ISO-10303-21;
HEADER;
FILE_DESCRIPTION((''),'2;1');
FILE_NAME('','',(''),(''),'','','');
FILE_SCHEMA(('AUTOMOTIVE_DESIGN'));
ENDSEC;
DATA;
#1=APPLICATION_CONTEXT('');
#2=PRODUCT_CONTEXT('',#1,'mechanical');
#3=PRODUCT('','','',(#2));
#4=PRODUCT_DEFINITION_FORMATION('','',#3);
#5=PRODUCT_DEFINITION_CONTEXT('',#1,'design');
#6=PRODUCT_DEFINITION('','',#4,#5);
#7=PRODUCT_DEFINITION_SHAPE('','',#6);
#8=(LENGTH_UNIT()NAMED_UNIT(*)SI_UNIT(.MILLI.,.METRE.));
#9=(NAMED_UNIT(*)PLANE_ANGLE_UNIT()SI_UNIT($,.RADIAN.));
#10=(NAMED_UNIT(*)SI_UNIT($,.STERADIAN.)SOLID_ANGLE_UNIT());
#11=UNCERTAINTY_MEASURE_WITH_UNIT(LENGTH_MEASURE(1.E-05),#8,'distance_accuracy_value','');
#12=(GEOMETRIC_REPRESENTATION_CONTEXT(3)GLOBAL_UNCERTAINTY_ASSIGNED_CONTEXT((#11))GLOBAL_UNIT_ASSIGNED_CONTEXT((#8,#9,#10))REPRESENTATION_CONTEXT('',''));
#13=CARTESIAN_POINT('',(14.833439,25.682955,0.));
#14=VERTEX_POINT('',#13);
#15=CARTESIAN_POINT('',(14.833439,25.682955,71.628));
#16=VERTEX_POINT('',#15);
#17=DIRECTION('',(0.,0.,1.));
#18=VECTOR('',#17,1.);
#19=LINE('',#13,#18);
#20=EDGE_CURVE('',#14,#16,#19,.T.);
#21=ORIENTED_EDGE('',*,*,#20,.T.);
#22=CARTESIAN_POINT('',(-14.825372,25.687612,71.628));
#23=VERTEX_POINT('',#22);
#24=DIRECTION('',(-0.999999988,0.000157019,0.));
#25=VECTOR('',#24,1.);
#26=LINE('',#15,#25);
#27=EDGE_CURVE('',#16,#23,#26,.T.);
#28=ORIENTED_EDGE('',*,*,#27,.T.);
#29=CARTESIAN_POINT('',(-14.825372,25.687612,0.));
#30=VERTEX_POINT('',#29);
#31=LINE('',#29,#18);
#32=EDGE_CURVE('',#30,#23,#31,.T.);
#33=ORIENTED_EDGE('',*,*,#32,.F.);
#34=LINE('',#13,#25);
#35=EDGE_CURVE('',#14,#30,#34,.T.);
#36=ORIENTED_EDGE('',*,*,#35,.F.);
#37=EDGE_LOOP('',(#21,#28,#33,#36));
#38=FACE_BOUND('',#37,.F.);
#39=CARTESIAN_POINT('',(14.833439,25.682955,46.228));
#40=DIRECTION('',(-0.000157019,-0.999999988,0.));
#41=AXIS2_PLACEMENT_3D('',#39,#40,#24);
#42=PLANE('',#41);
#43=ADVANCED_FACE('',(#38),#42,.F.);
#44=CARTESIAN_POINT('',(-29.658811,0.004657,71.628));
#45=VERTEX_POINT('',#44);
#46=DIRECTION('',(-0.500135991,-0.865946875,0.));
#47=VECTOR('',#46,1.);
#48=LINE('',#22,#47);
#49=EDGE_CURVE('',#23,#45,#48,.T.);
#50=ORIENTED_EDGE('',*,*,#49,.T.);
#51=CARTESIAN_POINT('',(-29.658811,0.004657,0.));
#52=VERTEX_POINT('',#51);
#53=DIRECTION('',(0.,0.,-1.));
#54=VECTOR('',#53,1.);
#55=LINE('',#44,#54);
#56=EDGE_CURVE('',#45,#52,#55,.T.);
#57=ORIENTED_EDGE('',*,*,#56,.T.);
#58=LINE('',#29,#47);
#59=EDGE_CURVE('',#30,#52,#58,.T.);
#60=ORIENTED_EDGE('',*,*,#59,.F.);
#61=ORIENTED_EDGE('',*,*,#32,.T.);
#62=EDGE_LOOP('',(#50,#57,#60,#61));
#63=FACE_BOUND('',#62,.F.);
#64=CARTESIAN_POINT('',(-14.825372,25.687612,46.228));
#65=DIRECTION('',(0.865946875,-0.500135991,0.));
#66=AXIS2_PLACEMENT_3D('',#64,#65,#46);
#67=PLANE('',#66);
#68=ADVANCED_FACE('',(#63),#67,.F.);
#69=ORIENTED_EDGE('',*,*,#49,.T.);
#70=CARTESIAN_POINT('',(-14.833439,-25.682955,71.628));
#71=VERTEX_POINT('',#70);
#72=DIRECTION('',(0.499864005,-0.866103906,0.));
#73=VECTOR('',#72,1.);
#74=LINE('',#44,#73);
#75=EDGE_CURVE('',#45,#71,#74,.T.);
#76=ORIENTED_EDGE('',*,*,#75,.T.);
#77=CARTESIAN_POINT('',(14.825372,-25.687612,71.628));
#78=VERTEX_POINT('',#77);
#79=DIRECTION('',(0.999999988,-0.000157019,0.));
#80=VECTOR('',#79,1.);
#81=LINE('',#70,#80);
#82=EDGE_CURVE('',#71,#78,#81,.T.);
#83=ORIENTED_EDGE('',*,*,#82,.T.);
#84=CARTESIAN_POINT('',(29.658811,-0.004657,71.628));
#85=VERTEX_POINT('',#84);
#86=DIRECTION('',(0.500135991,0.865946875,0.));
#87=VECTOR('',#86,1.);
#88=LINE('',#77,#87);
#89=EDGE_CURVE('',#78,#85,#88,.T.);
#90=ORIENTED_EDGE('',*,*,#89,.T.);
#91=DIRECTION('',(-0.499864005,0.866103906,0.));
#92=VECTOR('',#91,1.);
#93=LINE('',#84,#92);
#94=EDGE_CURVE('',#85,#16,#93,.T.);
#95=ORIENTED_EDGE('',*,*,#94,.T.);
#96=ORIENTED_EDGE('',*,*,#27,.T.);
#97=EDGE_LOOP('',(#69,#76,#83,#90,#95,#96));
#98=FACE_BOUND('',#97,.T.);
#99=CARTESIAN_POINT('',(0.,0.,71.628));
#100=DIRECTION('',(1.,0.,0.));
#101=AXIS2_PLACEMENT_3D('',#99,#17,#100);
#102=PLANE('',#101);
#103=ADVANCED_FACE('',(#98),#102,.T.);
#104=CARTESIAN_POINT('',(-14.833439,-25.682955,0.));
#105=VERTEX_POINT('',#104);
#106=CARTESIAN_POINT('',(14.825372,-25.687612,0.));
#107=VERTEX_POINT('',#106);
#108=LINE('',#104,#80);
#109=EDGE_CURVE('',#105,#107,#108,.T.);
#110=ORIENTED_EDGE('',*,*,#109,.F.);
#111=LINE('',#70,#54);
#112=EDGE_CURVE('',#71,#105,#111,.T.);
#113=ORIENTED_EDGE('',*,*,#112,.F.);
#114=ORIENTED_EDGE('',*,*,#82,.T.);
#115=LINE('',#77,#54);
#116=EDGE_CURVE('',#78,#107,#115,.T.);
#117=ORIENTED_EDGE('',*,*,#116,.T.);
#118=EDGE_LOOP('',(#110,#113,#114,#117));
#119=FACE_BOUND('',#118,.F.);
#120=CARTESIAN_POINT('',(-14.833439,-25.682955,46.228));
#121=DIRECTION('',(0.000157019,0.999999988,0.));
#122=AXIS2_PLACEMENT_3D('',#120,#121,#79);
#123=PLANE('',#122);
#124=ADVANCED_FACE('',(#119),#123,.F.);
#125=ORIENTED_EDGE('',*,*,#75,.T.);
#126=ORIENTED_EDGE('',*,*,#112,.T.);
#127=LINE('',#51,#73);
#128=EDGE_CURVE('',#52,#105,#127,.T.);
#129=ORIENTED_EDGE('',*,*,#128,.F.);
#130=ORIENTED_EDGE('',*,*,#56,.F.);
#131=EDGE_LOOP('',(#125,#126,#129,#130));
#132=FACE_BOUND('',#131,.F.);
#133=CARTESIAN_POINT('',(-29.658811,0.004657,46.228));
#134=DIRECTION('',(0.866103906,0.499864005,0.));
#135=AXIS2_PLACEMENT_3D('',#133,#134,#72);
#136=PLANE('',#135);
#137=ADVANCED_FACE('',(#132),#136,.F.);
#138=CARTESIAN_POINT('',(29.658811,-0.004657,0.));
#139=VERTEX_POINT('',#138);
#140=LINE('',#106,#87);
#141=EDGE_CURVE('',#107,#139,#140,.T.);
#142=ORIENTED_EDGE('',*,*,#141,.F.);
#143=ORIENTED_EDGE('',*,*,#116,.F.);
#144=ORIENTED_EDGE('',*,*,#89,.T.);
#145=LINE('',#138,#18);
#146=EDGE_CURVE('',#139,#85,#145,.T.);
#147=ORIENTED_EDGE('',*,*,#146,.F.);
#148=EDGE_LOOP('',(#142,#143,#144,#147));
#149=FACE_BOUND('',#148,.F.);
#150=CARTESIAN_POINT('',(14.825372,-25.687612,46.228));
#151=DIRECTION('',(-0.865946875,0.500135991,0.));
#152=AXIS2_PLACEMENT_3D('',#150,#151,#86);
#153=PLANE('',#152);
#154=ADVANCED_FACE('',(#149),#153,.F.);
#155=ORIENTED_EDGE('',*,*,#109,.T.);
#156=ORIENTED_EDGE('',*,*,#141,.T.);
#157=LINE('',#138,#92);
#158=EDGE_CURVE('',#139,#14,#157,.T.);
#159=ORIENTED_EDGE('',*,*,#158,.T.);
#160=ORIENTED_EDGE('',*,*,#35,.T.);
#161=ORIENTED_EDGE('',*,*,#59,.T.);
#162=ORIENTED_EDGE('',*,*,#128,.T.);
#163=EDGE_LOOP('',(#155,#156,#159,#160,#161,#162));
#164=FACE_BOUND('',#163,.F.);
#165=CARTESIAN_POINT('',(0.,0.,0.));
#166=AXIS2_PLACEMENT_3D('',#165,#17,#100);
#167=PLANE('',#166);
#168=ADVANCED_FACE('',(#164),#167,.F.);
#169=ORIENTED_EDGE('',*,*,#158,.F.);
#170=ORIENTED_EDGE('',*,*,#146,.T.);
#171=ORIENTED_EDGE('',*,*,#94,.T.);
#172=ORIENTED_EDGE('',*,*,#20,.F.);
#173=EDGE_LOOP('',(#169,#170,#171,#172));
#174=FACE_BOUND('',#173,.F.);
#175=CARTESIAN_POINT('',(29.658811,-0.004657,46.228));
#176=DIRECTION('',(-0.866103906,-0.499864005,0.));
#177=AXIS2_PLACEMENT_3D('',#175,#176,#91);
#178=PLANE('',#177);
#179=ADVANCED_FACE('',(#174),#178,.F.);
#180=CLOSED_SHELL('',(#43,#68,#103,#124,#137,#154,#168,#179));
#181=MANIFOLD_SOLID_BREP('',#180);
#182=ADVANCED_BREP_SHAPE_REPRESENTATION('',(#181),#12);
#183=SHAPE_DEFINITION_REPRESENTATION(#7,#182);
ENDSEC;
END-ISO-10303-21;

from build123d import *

# Parameters (mm, degrees)
F1_DEPTH = 46.228
F2_DEPTH = 25.4


with BuildPart() as f1:
    # F0 (on Top) → F1 (new body)
    with BuildSketch(Plane.XY):
        Polygon((14.825372, -25.687612), (29.658811, -0.004657), (14.833439, 25.682955), (-14.825372, 25.687612), (-29.658811, 0.004657), (-14.833439, -25.682955), align=None)
    extrude(amount=F1_DEPTH)

    # F1_face (on face) → F2 (join)
    with BuildSketch(Plane.XY.offset(46.228)):
        Polygon((14.825372, -25.687612), (29.658811, -0.004657), (14.833439, 25.682955), (-14.825372, 25.687612), (-29.658811, 0.004657), (-14.833439, -25.682955), align=None)
    extrude(amount=F2_DEPTH)


solid = f1.part
